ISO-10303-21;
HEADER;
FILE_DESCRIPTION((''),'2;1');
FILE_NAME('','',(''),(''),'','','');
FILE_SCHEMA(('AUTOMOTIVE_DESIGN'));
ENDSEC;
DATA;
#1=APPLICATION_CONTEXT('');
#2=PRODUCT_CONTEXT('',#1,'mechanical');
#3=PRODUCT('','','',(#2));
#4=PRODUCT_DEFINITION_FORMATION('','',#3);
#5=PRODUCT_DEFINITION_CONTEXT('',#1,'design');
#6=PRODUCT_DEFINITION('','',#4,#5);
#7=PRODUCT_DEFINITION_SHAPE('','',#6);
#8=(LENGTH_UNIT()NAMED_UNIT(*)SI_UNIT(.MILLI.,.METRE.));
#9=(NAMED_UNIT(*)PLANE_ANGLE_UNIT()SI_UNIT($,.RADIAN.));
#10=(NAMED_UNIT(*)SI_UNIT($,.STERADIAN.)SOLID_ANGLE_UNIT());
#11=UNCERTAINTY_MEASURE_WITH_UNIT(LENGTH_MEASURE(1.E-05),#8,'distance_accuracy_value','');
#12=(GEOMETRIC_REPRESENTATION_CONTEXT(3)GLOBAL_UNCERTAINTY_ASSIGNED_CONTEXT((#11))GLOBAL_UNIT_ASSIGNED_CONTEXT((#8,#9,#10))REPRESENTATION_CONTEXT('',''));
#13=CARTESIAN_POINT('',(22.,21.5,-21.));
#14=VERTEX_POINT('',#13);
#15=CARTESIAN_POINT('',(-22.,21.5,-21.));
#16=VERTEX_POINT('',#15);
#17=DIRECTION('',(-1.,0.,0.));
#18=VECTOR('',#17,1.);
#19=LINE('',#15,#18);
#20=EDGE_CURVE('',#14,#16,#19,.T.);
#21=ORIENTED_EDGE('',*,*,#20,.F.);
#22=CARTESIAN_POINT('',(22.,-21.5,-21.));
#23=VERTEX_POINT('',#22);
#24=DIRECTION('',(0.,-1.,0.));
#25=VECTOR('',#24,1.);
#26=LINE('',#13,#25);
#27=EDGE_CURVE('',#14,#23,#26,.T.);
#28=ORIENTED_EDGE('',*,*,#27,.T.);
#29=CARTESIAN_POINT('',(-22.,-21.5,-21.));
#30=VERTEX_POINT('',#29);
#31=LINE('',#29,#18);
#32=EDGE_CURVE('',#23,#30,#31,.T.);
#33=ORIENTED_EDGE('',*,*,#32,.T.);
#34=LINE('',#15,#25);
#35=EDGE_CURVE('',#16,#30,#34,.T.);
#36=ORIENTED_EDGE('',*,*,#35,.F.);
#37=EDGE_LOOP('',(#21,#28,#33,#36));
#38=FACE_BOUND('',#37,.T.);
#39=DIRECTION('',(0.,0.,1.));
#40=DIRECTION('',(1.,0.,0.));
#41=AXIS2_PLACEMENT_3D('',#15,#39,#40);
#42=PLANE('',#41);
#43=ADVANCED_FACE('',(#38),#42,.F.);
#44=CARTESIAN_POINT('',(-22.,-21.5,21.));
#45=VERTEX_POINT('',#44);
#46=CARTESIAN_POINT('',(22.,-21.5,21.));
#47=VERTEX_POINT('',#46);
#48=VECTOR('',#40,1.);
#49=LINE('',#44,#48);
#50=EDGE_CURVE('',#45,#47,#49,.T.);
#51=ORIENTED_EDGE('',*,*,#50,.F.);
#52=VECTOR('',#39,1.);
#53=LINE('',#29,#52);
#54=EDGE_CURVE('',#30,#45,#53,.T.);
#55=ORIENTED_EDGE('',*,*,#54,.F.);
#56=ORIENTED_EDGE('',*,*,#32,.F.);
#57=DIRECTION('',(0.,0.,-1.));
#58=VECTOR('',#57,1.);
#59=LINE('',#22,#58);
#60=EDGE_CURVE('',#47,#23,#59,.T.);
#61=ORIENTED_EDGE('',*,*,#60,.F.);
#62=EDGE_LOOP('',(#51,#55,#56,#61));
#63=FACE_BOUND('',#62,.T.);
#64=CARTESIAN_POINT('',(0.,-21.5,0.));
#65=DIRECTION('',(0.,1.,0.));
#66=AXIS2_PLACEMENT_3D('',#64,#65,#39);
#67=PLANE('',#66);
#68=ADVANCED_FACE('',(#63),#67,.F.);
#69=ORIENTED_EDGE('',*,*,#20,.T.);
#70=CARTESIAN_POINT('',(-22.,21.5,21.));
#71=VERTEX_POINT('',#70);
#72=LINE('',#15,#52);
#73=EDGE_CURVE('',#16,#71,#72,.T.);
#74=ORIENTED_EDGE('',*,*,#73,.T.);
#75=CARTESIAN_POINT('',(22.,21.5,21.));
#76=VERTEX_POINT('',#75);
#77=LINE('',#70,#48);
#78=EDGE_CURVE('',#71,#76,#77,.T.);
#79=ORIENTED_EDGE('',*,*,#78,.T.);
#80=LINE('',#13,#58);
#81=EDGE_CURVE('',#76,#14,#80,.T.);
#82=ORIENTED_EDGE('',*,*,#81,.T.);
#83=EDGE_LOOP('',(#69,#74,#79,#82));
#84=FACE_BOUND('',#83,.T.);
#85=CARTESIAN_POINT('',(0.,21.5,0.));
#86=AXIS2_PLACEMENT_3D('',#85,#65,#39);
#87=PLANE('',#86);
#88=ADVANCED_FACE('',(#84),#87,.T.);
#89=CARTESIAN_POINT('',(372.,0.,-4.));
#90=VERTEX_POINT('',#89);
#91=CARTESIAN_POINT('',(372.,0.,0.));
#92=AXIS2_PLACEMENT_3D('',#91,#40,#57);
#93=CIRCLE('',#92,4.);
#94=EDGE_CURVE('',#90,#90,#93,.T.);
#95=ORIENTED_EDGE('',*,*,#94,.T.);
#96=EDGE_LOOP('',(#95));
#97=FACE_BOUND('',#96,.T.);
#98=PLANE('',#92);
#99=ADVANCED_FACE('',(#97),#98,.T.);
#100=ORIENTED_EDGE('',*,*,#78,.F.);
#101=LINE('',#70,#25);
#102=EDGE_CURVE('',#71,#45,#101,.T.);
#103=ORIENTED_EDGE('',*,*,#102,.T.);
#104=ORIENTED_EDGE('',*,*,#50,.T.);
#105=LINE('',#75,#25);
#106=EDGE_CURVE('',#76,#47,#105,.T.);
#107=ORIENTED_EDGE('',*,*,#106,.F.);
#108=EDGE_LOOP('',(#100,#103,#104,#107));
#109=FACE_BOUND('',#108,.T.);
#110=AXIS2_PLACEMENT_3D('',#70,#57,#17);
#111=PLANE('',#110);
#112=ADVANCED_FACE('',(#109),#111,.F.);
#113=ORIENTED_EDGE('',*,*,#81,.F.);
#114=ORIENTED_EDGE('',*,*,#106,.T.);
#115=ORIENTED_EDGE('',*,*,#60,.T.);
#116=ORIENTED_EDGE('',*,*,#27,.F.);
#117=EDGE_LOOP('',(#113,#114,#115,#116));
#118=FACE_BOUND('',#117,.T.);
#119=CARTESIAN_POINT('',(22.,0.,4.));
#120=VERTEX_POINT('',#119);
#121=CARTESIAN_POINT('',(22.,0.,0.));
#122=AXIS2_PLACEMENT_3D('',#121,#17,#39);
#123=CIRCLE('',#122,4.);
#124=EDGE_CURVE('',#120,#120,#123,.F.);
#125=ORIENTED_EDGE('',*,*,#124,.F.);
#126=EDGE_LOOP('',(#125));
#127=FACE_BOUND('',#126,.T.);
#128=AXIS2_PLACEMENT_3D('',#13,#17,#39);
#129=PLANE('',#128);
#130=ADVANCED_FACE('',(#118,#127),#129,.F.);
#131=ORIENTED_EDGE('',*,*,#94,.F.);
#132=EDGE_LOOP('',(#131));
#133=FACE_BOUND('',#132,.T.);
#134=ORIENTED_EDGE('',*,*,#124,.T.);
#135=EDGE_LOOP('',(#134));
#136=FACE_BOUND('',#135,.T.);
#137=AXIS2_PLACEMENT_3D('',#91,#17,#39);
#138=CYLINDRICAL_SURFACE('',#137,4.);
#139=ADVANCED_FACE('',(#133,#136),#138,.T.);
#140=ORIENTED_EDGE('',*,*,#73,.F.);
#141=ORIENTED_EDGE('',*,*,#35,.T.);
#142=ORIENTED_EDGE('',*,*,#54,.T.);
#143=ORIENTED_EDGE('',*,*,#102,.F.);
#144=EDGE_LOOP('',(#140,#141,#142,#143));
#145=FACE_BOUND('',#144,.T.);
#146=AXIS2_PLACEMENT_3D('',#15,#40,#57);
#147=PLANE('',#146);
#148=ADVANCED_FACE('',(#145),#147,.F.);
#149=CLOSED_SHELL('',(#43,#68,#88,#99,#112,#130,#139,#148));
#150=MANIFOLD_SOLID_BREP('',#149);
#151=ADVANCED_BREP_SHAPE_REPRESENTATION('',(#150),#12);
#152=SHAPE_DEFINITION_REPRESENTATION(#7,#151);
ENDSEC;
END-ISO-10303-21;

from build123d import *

# Parameters (mm, degrees)
CROQUIS1_W              = 44
CROQUIS1_H              = 42
SALIENTE_EXTRUIR1_DEPTH = 21.5
CROQUIS2_R              = 4
SALIENTE_EXTRUIR2_DEPTH = 350


with BuildPart() as part:
    # Croquis1 → Saliente-Extruir1 (new, symmetric)
    with BuildSketch(Plane(origin=(0, 0, 0), x_dir=(1, 0, 0), z_dir=(0, 1, 0))):
        Rectangle(CROQUIS1_W, CROQUIS1_H)
    extrude(amount=SALIENTE_EXTRUIR1_DEPTH, both=True)

    # Croquis2 → Saliente-Extruir2 (add)
    with BuildSketch(Plane(origin=(22, 0, 0), x_dir=(0, 0, -1), z_dir=(1, 0, 0))):
        with Locations(Location((0, 0, 0), (0, 0, 180))):
            Circle(CROQUIS2_R)
    extrude(amount=SALIENTE_EXTRUIR2_DEPTH)


solid = part.part
